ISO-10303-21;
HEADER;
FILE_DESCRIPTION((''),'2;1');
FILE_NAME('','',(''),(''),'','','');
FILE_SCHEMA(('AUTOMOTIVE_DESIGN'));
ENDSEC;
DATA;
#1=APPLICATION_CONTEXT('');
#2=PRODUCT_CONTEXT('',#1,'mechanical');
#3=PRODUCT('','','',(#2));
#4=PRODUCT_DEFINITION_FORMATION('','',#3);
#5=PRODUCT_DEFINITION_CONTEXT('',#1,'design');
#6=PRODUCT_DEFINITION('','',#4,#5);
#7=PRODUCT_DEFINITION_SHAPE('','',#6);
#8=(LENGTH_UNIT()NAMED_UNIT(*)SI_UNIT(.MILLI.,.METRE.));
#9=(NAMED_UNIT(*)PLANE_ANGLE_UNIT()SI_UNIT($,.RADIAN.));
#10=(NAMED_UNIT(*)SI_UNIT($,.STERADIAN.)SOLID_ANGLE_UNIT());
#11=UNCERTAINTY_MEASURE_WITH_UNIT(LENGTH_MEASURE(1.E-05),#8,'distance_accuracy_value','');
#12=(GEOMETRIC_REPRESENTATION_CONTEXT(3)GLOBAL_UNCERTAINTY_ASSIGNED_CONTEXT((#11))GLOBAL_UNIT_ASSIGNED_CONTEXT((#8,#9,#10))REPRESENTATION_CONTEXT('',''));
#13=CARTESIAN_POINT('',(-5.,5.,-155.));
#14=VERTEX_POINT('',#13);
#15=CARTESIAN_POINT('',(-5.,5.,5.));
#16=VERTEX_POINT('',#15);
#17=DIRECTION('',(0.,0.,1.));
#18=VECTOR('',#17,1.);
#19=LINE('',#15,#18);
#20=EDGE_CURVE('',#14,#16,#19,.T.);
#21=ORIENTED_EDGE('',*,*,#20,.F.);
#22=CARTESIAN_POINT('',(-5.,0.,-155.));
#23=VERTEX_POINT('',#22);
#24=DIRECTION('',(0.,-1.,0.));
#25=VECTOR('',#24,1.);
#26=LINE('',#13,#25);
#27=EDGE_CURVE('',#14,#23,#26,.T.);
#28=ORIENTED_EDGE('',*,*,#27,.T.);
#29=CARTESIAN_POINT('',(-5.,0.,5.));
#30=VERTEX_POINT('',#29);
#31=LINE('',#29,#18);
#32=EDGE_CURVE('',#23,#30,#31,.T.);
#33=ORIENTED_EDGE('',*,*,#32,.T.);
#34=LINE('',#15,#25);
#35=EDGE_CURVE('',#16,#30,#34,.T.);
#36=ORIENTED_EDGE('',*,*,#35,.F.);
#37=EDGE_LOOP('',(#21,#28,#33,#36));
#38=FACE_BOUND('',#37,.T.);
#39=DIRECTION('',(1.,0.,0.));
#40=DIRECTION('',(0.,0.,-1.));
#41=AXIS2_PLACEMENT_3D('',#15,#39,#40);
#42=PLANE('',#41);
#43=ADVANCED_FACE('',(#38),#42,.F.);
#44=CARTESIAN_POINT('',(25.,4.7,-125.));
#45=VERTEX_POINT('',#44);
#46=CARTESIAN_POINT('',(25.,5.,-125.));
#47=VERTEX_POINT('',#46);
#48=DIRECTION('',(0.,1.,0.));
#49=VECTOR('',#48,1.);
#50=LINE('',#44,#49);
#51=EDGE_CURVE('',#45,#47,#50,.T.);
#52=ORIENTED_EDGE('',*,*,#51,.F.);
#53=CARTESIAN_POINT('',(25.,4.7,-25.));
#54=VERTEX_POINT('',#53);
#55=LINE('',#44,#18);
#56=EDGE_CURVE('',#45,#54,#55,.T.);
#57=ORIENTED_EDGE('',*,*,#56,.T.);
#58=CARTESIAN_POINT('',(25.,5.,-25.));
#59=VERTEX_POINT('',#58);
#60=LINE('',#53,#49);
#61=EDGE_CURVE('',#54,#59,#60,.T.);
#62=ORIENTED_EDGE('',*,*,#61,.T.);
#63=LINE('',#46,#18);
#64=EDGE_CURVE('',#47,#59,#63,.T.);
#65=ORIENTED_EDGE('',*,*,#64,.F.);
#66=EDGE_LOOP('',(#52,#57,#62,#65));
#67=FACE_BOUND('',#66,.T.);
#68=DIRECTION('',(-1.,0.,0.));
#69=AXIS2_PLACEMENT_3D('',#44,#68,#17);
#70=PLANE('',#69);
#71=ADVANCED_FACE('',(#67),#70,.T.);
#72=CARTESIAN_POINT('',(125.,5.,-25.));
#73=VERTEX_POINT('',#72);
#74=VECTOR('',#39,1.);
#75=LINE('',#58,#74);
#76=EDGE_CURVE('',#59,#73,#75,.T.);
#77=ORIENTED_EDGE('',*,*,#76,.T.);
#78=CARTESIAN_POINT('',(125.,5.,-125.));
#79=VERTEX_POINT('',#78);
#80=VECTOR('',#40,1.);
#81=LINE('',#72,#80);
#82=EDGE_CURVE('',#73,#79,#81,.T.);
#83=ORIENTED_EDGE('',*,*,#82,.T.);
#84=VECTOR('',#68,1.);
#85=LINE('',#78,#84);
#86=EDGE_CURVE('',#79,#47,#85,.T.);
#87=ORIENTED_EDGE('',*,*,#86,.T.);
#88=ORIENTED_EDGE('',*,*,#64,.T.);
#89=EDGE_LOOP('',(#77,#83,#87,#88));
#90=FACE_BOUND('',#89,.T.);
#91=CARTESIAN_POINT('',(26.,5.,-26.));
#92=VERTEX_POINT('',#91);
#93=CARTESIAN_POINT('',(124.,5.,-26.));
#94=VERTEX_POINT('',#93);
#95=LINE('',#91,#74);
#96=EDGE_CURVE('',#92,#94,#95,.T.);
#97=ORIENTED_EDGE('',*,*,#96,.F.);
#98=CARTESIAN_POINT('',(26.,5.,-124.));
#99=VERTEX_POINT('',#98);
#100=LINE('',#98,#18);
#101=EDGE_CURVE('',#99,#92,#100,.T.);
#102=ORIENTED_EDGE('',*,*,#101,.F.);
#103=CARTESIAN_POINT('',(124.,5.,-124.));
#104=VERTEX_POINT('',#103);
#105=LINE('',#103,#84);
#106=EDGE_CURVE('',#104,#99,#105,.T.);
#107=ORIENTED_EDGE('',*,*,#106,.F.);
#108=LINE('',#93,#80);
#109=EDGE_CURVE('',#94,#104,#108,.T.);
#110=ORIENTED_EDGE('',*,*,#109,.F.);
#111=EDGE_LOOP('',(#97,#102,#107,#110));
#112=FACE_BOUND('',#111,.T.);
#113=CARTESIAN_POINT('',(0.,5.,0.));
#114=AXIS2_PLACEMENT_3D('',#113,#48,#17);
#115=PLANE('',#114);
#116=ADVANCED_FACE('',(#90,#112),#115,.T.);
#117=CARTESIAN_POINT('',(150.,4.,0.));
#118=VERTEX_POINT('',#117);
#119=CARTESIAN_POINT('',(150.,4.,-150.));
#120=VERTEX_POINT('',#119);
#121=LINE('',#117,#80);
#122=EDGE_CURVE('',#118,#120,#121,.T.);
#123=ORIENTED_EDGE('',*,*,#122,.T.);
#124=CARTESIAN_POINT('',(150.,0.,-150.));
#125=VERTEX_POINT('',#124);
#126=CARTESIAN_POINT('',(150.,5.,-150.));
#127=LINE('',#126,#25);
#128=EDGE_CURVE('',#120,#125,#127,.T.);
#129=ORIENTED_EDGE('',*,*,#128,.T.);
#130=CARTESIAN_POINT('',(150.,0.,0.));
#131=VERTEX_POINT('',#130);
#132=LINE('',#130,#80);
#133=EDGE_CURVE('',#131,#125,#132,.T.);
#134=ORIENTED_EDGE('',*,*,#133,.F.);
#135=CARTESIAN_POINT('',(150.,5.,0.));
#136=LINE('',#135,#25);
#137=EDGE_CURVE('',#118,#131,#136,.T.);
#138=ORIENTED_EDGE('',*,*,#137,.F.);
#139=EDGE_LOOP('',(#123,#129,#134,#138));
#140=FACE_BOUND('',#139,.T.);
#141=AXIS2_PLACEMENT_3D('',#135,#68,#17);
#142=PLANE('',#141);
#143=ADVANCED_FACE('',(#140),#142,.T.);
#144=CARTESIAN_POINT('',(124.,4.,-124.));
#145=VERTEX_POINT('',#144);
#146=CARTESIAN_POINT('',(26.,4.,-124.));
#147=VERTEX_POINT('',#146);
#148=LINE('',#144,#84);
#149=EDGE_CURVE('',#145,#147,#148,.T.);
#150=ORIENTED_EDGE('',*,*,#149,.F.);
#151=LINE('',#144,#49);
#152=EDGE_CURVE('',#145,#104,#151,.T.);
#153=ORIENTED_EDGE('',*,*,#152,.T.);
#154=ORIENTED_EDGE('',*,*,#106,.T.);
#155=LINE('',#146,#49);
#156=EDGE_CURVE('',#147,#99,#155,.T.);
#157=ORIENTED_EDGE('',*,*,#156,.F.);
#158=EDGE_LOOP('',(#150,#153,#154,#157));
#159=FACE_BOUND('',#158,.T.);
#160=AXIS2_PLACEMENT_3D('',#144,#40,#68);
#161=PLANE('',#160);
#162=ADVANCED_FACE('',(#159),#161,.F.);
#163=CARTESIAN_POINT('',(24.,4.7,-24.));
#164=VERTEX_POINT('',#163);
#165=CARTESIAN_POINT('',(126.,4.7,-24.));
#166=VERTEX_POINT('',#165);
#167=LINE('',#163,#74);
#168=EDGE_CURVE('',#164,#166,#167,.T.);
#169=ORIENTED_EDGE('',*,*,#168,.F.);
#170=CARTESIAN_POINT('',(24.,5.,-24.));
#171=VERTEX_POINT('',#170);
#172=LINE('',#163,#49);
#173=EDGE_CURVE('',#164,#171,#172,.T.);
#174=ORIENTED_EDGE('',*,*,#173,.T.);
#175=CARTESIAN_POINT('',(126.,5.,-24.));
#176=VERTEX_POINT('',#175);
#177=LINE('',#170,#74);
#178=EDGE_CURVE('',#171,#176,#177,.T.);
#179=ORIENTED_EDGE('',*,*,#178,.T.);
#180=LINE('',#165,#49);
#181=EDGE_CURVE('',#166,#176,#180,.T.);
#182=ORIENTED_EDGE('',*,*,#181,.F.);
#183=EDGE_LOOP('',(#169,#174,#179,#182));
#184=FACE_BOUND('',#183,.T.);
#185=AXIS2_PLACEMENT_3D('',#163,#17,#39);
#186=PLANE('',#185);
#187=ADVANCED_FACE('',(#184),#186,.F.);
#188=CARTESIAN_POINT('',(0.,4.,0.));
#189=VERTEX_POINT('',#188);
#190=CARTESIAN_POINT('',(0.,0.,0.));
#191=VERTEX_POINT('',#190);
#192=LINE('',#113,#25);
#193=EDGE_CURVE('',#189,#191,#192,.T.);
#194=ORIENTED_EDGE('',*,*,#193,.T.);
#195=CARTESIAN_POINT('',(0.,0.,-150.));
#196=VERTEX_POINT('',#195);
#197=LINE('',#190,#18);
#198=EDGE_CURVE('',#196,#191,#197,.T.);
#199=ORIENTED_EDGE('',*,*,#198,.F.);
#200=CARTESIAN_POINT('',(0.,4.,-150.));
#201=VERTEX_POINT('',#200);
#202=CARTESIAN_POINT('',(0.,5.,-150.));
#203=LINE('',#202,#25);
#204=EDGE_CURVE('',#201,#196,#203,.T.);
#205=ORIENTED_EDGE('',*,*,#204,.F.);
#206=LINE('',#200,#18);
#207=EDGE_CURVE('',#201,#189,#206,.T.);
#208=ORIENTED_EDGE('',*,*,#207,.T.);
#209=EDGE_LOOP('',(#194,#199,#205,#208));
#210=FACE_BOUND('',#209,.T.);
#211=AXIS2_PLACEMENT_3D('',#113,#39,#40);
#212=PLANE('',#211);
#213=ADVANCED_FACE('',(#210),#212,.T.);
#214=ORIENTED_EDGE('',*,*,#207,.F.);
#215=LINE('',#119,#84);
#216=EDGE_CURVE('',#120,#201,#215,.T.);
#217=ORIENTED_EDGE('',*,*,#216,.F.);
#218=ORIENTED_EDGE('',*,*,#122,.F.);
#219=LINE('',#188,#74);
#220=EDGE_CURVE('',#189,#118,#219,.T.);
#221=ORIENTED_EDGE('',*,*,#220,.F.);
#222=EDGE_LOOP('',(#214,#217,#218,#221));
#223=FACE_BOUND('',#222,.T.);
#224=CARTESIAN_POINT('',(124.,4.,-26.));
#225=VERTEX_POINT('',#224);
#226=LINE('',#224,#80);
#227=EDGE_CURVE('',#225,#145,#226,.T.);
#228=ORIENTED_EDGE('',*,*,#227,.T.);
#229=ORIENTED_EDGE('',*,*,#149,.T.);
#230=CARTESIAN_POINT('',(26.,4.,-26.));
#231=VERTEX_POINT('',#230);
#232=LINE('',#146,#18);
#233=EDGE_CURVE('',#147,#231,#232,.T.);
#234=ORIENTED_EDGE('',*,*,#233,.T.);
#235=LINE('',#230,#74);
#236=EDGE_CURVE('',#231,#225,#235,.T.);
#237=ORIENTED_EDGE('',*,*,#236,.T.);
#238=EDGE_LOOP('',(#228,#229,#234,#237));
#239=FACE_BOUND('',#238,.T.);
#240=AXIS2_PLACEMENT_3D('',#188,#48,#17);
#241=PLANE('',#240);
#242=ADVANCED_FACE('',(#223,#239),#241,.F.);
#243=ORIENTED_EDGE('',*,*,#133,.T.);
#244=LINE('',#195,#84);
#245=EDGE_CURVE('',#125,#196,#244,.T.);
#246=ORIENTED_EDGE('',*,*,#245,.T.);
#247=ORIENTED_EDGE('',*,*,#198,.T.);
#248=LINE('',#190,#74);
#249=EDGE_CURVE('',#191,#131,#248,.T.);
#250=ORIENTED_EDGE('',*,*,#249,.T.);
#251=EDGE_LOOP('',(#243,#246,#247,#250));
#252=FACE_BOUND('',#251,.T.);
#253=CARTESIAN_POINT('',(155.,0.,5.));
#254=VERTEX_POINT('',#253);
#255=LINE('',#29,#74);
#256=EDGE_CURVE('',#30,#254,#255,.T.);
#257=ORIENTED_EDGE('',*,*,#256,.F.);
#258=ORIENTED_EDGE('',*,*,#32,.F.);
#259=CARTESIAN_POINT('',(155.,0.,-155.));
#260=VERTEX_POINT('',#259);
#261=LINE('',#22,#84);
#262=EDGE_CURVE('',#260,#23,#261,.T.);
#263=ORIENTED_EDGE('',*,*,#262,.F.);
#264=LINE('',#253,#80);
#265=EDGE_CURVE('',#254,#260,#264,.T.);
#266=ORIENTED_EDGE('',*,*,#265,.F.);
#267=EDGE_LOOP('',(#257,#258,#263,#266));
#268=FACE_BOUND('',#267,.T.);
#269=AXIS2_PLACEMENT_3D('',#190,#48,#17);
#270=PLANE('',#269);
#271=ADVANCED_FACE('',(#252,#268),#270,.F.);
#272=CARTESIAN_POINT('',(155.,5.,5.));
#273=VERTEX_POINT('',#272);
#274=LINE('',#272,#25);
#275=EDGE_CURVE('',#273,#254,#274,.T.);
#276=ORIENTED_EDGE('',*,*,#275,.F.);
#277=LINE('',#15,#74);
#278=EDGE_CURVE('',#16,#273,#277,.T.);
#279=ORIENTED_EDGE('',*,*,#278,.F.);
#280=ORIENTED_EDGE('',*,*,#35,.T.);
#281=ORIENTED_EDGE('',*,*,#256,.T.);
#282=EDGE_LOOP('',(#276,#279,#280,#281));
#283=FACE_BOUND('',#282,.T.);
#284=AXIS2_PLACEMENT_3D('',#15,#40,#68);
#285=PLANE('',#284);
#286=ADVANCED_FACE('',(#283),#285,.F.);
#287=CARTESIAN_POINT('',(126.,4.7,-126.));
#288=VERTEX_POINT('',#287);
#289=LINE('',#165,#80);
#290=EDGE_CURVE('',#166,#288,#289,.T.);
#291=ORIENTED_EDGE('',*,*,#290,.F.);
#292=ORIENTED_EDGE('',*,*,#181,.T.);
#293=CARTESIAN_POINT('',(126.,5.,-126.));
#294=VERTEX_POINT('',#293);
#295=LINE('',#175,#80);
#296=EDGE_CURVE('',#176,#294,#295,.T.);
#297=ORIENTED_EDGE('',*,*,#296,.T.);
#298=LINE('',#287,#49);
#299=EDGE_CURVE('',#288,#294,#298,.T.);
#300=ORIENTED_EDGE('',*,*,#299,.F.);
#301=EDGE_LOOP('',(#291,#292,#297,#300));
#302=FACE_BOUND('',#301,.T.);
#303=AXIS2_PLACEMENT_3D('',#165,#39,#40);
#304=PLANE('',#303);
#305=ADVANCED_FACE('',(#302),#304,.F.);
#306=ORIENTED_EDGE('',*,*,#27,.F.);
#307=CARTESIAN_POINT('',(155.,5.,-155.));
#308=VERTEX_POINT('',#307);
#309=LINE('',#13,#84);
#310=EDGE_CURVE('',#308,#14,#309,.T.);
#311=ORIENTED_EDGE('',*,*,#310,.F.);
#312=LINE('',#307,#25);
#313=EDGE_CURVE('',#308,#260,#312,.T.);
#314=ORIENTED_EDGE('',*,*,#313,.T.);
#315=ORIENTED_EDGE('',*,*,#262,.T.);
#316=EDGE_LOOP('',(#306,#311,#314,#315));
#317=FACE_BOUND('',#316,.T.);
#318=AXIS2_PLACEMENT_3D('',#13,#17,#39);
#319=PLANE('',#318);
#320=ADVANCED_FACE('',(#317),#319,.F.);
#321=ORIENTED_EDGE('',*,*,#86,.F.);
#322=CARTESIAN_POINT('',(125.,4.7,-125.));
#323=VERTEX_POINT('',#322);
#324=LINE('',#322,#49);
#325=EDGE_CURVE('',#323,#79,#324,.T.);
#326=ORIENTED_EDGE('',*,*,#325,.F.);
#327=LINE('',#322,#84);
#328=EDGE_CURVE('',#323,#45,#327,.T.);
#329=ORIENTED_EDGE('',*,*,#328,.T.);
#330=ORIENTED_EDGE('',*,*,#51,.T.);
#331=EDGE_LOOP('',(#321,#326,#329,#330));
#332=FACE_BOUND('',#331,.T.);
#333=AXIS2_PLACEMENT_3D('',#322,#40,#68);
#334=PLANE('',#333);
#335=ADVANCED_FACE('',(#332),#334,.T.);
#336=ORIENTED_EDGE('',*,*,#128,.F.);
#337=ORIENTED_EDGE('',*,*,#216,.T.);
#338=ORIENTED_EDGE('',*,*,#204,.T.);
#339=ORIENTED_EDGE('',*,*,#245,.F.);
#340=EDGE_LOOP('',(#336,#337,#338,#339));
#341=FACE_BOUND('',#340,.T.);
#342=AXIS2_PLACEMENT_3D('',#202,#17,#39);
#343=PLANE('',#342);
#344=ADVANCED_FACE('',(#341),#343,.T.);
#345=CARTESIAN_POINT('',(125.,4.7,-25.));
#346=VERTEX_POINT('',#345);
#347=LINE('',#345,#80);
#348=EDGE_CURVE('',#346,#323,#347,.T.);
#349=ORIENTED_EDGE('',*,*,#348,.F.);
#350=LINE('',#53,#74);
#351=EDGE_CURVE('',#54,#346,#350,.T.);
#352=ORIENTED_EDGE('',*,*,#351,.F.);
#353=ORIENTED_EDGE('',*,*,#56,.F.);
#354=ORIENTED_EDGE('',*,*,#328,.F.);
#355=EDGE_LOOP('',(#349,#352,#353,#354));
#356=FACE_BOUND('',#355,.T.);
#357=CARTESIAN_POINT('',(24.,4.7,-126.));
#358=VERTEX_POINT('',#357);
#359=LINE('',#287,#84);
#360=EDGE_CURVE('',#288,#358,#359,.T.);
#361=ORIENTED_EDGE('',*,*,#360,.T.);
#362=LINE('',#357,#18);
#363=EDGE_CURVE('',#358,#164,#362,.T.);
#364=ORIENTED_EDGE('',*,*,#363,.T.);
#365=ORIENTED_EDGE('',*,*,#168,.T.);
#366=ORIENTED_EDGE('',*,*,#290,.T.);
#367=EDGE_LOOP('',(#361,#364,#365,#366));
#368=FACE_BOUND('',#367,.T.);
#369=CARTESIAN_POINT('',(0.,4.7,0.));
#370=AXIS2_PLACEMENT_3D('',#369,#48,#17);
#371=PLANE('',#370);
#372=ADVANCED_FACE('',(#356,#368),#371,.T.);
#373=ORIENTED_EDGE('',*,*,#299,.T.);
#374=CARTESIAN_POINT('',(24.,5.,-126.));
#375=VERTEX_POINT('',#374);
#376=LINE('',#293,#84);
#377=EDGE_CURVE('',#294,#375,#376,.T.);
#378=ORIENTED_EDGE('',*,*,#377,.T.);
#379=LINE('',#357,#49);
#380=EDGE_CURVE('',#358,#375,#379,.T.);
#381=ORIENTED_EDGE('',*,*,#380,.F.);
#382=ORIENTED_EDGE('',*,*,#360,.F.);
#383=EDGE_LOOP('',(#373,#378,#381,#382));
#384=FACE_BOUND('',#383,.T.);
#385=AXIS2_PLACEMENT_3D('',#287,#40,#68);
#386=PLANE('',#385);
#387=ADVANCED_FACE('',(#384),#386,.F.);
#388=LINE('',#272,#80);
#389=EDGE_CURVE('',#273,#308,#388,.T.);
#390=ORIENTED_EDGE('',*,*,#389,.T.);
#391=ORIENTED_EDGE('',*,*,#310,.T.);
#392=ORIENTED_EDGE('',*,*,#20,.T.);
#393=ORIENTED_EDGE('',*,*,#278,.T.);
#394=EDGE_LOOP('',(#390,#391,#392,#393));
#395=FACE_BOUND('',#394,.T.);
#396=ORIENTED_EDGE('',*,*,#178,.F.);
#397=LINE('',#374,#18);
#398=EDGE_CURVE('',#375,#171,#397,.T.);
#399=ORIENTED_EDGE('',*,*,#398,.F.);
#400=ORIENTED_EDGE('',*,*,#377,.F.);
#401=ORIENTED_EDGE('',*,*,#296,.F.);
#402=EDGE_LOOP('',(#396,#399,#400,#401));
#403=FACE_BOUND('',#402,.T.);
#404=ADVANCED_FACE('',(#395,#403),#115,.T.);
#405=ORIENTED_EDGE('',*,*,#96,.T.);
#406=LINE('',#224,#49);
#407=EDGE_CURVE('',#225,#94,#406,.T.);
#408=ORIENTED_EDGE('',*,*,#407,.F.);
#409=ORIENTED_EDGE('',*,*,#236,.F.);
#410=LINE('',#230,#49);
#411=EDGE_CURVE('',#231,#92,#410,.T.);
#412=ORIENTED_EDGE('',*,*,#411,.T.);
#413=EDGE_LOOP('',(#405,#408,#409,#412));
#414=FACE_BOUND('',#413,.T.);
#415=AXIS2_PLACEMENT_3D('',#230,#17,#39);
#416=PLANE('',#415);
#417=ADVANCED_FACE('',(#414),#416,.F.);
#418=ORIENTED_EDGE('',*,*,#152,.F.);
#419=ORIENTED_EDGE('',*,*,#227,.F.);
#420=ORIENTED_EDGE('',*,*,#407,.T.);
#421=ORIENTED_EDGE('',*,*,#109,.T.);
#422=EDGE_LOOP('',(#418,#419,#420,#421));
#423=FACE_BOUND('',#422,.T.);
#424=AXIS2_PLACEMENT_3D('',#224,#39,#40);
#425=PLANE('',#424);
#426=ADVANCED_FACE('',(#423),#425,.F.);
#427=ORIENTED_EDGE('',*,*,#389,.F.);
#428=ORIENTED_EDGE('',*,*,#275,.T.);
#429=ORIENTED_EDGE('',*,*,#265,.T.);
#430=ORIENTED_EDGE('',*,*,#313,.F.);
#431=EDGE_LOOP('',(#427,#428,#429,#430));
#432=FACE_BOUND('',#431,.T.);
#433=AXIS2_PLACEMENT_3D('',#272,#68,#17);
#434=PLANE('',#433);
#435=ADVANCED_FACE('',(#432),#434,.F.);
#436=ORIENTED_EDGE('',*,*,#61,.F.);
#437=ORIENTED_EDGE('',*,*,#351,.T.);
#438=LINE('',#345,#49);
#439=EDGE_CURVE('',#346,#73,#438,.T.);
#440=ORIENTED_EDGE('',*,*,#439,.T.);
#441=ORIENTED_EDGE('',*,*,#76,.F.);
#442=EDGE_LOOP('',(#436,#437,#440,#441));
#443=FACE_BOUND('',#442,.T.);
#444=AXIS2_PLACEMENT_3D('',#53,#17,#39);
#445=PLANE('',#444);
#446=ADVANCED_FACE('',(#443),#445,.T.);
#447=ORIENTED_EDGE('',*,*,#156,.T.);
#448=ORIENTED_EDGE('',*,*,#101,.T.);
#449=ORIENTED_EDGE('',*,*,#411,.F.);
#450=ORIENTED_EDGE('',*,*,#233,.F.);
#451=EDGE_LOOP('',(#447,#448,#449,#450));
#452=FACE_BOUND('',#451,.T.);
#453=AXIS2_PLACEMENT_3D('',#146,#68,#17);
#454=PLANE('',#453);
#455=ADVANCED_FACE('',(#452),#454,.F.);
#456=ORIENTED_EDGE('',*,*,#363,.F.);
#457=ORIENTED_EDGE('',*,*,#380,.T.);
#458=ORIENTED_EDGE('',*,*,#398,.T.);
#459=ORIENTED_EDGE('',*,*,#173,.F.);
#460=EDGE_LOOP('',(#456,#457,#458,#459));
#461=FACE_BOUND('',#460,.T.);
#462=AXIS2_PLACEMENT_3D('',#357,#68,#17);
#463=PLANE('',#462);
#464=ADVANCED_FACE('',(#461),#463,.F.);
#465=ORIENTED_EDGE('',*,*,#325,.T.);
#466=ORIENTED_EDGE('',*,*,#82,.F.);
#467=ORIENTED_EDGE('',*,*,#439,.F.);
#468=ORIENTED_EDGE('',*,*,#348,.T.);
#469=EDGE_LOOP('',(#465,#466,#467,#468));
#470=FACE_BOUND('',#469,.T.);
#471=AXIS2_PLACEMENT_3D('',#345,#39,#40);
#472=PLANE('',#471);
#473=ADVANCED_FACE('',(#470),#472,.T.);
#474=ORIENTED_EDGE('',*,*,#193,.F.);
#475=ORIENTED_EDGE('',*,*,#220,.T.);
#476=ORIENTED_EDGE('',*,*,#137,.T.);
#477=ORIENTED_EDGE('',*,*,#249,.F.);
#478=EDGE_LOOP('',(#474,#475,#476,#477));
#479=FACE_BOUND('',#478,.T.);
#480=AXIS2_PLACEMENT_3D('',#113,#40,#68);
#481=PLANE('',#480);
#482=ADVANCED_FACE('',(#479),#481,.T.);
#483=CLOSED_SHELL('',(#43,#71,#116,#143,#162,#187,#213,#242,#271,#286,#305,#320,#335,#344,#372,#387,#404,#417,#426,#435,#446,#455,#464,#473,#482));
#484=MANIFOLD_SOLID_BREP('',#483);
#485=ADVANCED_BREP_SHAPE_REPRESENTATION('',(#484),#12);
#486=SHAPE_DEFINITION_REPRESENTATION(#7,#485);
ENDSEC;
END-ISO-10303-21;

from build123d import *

# Parameters (mm, degrees)
CROQUIS1_W              = 160
CROQUIS1_H              = 160
CROQUIS1_W_2            = 150
CROQUIS1_H_2            = 150
SALIENTE_EXTRUIR1_DEPTH = 5
CROQUIS2_W              = 150
CROQUIS2_H              = 150
CROQUIS2_W_2            = 98
CROQUIS2_H_2            = 98
SALIENTE_EXTRUIR2_DEPTH = 1
CROQUIS3_W              = 102
CROQUIS3_H              = 102
CROQUIS3_W_2            = 100
CROQUIS3_H_2            = 100
CORTAR_EXTRUIR1_DEPTH   = 0.3


with BuildPart() as part:
    # Croquis1 → Saliente-Extruir1 (new body)
    with BuildSketch(Plane(origin=(0, 0, 0), x_dir=(1, 0, 0), z_dir=(0, 1, 0))):
        with Locations((75, 75)):
            Rectangle(CROQUIS1_W, CROQUIS1_H)
        with Locations((75, 75)):
            Rectangle(CROQUIS1_W_2, CROQUIS1_H_2, mode=Mode.SUBTRACT)
    extrude(amount=SALIENTE_EXTRUIR1_DEPTH)

    # Croquis2 → Saliente-Extruir2 (add)
    with BuildSketch(Plane(origin=(0, 5, 0), x_dir=(1, 0, 0), z_dir=(0, 1, 0))):
        with Locations((75, 75)):
            Rectangle(CROQUIS2_W, CROQUIS2_H)
        with Locations((75, 75)):
            Rectangle(CROQUIS2_W_2, CROQUIS2_H_2, mode=Mode.SUBTRACT)
    extrude(amount=-SALIENTE_EXTRUIR2_DEPTH)

    # Croquis3 → Cortar-Extruir1 (cut)
    with BuildSketch(Plane(origin=(0, 5, 0), x_dir=(1, 0, 0), z_dir=(0, 1, 0))):
        with Locations((75, 75)):
            Rectangle(CROQUIS3_W, CROQUIS3_H)
        with Locations((75, 75)):
            Rectangle(CROQUIS3_W_2, CROQUIS3_H_2, mode=Mode.SUBTRACT)
    extrude(amount=-CORTAR_EXTRUIR1_DEPTH, mode=Mode.SUBTRACT)


solid = part.part
